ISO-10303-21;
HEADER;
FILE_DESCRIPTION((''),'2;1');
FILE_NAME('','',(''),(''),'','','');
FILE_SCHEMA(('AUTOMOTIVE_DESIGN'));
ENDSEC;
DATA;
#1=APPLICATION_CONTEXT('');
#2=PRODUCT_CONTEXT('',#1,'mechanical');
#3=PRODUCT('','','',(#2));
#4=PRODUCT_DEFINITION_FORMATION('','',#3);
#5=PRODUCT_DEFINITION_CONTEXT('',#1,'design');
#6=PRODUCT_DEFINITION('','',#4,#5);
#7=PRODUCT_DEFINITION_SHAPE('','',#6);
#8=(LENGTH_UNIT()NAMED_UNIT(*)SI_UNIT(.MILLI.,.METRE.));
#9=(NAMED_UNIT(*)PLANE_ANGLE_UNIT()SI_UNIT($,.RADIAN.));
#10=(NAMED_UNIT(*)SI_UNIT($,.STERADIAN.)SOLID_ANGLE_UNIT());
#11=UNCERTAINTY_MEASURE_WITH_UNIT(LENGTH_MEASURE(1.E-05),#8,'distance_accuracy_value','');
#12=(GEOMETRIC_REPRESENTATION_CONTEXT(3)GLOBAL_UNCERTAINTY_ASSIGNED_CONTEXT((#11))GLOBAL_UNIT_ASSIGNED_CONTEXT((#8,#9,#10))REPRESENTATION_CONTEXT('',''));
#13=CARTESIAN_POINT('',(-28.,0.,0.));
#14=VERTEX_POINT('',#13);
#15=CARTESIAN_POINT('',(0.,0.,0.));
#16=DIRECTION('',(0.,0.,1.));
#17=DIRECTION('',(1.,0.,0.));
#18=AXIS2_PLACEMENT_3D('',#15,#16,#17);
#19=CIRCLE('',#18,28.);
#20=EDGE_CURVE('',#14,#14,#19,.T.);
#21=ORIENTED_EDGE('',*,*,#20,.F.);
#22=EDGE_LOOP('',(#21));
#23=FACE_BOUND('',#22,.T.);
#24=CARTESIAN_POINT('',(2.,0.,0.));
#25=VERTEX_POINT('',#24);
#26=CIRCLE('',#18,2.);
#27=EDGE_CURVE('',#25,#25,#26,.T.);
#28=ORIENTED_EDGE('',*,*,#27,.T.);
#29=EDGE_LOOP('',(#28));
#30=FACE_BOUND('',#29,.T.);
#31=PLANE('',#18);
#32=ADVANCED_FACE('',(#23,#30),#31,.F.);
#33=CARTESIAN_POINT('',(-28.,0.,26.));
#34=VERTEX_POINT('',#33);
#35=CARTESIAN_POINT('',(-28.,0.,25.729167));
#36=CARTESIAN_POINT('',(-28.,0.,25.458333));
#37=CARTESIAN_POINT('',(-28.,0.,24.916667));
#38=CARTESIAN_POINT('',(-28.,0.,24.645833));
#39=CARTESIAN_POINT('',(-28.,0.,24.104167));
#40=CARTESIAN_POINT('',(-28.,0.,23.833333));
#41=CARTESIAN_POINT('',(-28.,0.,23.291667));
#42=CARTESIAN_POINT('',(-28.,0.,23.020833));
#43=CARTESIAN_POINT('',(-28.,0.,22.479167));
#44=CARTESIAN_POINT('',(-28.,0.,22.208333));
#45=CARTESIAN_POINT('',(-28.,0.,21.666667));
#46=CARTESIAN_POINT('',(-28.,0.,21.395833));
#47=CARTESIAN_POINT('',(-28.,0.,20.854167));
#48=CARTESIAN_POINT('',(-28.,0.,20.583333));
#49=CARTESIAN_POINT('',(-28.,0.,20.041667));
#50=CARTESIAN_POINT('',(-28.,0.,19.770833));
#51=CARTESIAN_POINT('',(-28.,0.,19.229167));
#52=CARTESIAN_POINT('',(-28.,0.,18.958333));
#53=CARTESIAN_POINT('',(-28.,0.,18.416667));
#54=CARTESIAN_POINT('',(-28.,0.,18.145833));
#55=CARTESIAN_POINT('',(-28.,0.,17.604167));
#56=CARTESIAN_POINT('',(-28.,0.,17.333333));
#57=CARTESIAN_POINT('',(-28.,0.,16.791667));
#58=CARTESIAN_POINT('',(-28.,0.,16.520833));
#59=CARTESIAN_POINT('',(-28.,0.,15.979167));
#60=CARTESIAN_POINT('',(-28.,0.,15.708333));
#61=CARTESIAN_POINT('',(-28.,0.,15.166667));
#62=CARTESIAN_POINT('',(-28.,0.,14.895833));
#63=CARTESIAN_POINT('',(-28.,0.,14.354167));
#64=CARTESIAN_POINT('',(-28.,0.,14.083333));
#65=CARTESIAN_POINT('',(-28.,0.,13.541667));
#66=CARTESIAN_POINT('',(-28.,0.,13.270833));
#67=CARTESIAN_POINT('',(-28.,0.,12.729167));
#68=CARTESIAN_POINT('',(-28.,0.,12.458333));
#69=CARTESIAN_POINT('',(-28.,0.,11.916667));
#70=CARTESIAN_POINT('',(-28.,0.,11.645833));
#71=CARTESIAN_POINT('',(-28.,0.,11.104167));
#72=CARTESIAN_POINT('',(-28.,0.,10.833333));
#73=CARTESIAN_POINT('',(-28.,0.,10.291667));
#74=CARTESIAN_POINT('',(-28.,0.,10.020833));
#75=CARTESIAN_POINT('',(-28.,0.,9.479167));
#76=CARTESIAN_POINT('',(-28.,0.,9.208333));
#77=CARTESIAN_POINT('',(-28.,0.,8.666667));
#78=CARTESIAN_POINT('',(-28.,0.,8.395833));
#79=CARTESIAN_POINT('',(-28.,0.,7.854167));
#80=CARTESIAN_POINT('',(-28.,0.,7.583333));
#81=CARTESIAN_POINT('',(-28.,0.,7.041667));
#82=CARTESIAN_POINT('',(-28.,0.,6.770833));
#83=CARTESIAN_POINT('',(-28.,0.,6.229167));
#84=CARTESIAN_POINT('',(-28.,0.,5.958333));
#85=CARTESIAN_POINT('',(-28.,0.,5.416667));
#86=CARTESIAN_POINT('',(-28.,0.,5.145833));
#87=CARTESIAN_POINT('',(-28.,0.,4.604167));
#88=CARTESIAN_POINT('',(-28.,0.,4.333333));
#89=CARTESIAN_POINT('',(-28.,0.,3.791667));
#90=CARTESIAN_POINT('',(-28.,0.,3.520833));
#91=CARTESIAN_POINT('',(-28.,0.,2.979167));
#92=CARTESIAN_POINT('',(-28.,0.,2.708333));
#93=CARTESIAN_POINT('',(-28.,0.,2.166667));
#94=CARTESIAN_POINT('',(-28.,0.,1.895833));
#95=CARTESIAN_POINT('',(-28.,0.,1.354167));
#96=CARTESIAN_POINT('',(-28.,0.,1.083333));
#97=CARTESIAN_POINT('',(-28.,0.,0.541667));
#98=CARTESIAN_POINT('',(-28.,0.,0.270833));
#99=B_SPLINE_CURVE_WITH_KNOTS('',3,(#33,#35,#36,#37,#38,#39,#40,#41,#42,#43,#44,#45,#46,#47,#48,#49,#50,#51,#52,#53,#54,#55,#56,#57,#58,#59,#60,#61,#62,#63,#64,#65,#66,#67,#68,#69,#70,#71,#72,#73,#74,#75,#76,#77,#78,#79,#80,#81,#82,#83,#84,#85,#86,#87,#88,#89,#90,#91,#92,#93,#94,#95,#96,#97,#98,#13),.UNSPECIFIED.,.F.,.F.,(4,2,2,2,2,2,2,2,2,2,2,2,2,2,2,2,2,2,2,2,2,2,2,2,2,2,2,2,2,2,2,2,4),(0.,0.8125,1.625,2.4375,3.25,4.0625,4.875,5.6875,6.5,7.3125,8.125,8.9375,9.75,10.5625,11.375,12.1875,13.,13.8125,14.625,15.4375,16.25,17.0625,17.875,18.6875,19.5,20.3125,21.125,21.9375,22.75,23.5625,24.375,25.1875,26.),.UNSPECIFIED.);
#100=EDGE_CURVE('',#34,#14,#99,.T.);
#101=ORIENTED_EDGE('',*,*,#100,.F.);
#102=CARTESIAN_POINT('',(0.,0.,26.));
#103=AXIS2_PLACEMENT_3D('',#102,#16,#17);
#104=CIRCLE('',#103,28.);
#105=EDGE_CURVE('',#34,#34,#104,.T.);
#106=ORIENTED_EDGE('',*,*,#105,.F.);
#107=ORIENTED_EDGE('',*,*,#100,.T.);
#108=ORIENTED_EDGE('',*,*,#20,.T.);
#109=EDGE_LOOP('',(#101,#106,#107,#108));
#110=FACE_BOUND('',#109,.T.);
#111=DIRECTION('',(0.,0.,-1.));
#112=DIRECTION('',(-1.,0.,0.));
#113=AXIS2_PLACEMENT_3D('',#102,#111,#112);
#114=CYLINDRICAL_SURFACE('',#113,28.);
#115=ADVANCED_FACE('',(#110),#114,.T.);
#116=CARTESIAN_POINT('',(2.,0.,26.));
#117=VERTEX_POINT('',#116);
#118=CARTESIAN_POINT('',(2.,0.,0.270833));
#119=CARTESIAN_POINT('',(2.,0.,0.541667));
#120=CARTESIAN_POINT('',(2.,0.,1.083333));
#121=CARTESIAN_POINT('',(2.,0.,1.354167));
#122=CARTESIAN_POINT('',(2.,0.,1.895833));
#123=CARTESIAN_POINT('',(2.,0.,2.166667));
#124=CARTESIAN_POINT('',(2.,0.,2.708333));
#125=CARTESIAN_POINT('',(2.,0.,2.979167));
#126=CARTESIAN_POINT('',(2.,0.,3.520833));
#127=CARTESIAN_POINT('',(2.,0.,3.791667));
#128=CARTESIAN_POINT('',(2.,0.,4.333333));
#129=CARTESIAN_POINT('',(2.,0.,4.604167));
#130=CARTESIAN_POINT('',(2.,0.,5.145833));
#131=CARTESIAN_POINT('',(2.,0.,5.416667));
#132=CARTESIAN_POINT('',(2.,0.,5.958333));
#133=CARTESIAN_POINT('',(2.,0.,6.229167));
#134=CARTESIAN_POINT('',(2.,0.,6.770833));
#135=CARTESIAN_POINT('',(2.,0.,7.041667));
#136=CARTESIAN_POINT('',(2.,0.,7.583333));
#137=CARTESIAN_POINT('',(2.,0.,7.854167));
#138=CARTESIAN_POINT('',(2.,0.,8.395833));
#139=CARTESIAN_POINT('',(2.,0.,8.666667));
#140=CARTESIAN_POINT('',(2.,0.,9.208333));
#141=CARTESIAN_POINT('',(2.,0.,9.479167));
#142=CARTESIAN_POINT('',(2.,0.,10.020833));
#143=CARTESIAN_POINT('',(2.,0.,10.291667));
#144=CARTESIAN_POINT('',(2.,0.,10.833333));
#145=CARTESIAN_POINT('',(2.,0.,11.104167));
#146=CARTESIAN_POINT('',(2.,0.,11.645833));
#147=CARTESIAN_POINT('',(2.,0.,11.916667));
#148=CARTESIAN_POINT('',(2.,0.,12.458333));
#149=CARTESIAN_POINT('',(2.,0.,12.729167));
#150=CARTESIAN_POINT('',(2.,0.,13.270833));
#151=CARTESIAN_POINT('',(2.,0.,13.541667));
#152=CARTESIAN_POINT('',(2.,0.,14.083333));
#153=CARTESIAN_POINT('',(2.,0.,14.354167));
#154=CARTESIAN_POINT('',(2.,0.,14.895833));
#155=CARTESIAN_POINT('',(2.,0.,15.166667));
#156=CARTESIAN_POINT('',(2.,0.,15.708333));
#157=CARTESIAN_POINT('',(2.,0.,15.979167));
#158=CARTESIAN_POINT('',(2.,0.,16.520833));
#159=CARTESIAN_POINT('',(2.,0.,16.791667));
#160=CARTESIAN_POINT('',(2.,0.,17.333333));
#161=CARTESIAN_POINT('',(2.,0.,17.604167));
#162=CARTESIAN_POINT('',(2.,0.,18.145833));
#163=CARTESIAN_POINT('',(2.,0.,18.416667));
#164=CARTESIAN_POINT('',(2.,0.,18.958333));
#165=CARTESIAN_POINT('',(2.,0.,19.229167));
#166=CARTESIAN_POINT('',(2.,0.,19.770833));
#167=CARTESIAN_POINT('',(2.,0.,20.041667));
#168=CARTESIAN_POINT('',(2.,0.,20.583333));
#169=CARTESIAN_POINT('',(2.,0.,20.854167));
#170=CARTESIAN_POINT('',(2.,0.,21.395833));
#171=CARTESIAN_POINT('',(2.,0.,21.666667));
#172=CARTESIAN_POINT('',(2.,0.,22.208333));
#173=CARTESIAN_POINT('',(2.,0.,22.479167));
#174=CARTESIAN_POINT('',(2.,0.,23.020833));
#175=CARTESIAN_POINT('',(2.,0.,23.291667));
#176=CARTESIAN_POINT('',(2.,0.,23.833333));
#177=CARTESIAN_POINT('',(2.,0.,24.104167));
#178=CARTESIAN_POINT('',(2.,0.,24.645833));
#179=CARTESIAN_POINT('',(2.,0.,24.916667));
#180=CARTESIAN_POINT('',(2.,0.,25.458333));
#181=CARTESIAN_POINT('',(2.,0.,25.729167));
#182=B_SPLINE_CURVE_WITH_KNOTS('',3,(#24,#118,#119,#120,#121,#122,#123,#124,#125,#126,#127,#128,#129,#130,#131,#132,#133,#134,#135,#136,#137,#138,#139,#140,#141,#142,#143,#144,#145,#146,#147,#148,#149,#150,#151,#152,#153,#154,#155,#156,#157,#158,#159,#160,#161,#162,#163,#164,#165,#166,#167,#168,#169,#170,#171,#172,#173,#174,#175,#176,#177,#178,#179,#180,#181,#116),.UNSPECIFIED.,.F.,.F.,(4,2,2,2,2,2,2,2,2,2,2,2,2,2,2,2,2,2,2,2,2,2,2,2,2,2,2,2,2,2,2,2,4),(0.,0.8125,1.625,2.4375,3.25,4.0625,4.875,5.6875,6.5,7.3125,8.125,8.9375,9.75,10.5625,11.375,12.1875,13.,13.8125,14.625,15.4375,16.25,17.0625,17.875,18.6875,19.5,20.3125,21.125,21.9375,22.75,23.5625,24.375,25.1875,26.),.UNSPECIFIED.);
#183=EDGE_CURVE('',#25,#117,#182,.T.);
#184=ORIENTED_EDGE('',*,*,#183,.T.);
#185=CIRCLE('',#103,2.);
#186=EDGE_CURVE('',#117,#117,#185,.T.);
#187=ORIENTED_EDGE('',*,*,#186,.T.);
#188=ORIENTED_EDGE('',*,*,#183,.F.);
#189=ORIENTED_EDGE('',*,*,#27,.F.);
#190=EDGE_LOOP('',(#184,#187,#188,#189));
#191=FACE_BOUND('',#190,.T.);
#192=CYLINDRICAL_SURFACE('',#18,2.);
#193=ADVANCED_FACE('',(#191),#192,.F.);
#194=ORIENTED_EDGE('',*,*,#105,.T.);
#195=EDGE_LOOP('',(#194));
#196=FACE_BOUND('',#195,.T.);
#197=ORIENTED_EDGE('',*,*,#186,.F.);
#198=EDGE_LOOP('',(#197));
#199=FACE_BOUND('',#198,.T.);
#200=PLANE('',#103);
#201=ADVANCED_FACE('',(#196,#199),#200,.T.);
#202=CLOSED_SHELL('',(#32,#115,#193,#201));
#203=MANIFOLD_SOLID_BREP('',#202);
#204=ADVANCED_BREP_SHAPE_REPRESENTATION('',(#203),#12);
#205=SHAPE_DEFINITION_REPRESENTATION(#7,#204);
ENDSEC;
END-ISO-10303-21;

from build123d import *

# Parameters (mm, degrees)
SKETCH1_R           = 28
BOSS_EXTRUDE1_DEPTH = 26
SKETCH2_R           = 2
CUT_EXTRUDE1_DEPTH  = 26


with BuildPart() as part:
    # Sketch1 → Boss-Extrude1 (new body)
    with BuildSketch(Plane.XY):
        with Locations(Location((0, 0, 0), (0, 0, 180))):
            Circle(SKETCH1_R)
    extrude(amount=BOSS_EXTRUDE1_DEPTH)

    # Sketch2 → Cut-Extrude1 (cut)
    with BuildSketch(Plane.XY.offset(26)):
        Circle(SKETCH2_R)
    extrude(amount=-CUT_EXTRUDE1_DEPTH, mode=Mode.SUBTRACT)


solid = part.part
